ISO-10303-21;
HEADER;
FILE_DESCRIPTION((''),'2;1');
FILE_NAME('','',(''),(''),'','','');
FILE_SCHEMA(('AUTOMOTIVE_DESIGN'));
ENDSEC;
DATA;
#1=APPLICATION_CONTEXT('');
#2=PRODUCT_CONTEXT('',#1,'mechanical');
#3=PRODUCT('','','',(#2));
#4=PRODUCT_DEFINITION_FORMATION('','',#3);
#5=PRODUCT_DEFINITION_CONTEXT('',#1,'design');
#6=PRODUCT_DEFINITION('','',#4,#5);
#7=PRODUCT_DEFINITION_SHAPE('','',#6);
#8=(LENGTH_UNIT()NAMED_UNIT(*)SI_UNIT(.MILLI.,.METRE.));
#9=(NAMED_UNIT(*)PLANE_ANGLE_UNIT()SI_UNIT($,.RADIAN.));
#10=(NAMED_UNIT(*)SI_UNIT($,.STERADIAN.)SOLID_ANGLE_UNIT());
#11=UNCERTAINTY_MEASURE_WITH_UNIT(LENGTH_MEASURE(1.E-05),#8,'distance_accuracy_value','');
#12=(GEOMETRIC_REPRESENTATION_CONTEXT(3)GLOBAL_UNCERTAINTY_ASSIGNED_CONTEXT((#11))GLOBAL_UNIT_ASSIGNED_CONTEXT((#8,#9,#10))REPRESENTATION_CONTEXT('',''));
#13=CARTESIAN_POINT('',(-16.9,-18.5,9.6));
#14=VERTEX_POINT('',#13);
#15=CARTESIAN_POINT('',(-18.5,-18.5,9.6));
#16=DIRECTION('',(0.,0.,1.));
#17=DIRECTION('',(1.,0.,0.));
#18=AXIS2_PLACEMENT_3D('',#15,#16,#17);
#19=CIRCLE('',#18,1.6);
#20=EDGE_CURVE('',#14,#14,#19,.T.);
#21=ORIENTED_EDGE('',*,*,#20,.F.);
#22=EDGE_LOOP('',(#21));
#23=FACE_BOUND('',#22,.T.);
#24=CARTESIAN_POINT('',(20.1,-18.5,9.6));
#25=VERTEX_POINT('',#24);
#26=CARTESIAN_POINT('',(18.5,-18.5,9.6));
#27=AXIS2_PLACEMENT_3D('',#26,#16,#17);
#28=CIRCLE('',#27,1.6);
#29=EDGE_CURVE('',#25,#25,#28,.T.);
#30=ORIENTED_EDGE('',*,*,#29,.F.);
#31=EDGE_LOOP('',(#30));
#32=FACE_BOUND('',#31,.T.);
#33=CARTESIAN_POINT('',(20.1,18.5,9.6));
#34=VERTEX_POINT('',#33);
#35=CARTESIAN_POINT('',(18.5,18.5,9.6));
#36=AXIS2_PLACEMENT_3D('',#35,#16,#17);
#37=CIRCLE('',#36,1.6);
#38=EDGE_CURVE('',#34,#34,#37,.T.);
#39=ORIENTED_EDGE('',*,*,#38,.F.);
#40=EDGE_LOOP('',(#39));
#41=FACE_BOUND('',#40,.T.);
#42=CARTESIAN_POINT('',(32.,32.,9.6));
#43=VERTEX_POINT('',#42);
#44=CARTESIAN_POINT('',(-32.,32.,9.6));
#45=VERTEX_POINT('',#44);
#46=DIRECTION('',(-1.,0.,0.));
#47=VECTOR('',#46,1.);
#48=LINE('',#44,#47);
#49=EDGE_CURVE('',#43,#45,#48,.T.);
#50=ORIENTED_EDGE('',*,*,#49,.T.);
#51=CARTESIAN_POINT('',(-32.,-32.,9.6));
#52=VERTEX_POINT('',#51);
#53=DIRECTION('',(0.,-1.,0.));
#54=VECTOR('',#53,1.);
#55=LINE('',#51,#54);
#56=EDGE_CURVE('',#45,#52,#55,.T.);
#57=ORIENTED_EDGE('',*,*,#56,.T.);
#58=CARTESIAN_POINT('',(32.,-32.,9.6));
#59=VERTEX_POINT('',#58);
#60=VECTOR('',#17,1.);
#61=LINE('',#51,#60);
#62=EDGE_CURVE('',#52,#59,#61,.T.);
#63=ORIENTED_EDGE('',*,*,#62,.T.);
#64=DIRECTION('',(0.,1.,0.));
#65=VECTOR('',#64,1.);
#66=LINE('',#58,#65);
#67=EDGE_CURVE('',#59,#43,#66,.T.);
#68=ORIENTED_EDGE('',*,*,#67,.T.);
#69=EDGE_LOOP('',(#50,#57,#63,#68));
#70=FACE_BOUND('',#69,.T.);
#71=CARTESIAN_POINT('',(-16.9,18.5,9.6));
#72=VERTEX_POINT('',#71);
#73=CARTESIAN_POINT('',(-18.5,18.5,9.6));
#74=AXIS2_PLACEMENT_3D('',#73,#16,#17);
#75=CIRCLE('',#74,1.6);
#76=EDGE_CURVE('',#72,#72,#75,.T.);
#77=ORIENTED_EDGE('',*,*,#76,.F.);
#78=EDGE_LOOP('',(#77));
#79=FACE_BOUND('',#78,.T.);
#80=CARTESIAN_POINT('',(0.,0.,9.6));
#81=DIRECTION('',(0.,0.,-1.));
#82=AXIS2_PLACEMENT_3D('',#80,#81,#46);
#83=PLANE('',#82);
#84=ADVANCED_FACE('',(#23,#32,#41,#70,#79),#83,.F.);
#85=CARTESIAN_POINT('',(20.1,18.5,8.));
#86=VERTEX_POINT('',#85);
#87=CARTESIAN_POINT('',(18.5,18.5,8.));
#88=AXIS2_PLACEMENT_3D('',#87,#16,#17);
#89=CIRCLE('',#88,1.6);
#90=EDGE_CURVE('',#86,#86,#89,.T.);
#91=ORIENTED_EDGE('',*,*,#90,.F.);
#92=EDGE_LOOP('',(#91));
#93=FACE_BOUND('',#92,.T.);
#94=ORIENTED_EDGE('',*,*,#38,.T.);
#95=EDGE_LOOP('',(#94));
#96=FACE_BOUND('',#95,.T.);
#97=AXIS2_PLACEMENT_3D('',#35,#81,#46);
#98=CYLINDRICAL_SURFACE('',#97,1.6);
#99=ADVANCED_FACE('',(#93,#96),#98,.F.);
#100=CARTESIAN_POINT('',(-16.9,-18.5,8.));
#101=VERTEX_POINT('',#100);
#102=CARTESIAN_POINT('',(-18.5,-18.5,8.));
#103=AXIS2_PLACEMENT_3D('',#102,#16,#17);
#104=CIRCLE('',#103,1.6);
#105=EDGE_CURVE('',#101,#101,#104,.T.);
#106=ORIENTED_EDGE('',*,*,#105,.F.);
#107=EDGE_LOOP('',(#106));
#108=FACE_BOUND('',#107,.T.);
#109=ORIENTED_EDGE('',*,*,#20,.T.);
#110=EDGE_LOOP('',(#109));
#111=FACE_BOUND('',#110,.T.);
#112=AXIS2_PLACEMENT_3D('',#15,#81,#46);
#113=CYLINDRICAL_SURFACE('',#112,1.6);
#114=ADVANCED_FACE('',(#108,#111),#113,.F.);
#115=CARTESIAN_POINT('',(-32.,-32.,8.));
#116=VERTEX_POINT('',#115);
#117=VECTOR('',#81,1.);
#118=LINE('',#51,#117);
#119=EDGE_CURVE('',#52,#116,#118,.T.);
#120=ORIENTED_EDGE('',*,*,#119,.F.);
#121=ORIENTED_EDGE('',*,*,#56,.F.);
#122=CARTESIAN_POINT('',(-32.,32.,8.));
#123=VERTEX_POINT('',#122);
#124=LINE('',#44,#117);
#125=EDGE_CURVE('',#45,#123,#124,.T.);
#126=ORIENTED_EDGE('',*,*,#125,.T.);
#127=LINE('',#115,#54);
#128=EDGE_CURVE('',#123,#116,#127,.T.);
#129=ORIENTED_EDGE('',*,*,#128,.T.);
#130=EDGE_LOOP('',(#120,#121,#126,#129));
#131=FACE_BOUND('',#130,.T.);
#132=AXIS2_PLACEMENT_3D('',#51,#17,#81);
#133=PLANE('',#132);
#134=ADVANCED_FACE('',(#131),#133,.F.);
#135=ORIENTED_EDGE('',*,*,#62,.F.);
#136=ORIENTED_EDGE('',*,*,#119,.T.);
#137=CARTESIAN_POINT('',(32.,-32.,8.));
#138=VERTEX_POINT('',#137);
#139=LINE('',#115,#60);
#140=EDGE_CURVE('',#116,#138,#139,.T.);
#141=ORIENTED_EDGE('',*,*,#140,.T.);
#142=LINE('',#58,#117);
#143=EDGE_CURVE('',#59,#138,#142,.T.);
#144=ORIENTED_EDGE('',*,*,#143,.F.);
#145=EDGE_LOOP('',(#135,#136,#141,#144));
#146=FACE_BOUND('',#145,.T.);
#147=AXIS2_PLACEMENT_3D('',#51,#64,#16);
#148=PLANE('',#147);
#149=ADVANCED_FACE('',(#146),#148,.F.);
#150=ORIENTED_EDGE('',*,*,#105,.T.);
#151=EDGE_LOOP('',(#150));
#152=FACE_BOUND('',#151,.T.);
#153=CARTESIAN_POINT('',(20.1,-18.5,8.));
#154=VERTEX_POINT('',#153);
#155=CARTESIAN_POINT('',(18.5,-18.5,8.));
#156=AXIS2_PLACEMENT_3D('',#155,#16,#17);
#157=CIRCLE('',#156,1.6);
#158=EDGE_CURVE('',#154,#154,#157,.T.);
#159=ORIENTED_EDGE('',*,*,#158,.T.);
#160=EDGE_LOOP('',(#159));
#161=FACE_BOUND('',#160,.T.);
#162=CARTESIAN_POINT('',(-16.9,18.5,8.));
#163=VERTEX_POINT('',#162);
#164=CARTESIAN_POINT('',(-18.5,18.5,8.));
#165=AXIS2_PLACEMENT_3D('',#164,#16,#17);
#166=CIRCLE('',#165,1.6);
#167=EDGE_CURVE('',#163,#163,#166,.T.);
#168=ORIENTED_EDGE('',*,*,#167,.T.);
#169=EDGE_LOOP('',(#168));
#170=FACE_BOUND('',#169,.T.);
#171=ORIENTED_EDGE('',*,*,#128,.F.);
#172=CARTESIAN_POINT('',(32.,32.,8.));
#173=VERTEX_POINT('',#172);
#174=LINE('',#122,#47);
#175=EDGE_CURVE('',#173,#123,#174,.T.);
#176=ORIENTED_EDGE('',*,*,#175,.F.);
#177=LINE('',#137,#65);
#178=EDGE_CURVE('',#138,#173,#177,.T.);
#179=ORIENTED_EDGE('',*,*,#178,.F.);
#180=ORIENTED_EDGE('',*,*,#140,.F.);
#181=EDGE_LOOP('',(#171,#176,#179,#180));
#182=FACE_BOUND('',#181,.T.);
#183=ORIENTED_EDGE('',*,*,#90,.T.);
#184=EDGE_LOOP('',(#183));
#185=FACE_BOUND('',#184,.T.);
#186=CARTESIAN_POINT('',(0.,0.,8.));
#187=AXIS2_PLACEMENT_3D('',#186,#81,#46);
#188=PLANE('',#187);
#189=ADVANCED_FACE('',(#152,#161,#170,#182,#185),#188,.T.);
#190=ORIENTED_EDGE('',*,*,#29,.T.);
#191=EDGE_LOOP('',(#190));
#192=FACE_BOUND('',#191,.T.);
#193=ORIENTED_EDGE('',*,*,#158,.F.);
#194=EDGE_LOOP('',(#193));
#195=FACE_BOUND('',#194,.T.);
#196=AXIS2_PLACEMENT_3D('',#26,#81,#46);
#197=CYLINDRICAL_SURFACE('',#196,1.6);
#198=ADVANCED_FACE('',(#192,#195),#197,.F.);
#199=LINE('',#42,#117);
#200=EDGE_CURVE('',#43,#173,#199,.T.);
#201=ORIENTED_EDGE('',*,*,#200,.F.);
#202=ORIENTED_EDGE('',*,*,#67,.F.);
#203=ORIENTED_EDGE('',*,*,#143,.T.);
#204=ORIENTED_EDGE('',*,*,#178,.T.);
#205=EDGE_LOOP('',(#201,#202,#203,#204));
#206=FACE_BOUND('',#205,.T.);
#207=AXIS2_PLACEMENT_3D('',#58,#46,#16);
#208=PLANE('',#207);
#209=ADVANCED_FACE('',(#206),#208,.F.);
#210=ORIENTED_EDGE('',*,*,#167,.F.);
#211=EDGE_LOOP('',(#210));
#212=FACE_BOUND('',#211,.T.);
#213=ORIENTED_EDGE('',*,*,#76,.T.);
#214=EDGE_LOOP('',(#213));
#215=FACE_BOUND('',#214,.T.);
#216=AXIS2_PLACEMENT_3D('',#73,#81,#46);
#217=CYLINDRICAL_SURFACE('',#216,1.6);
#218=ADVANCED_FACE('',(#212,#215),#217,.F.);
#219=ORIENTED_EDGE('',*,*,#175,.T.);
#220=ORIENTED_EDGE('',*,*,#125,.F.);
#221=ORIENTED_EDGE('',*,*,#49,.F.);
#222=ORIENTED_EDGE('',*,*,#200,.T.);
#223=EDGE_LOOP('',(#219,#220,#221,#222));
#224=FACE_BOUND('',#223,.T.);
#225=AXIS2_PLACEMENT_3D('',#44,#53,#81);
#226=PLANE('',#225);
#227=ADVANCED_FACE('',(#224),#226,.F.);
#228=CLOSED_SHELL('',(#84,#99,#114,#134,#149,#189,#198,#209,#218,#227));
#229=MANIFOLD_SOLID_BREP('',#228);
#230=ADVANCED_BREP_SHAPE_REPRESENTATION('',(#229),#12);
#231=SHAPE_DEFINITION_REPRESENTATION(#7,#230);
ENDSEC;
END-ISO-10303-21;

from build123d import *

# Parameters (mm, degrees)
PCB_1_6_START         = 8
SKETCH_1_W            = 64
SKETCH_1_H            = 64
PCB_1_6_DEPTH         = 1.6
CUT_EXTRUDE_START     = 8
SKETCH_2_R            = 1.6
CUT_EXTRUDE_451_DEPTH = 1.6


with BuildPart() as part:
    # 草图1 → PCB外廓参考_板厚暂按1.6 (new body)
    with BuildSketch(Plane.XY.offset(PCB_1_6_START)):
        Rectangle(SKETCH_1_W, SKETCH_1_H)
    extrude(amount=PCB_1_6_DEPTH)

    # 草图2 → Cut-Extrude 451 (cut)
    with BuildSketch(Plane.XY.offset(CUT_EXTRUDE_START)):
        with Locations((-18.5, -18.5)):
            Circle(SKETCH_2_R)
        with Locations((-18.5, 18.5)):
            Circle(SKETCH_2_R)
        with Locations((18.5, -18.5)):
            Circle(SKETCH_2_R)
        with Locations((18.5, 18.5)):
            Circle(SKETCH_2_R)
    extrude(amount=CUT_EXTRUDE_451_DEPTH, mode=Mode.SUBTRACT)


solid = part.part
